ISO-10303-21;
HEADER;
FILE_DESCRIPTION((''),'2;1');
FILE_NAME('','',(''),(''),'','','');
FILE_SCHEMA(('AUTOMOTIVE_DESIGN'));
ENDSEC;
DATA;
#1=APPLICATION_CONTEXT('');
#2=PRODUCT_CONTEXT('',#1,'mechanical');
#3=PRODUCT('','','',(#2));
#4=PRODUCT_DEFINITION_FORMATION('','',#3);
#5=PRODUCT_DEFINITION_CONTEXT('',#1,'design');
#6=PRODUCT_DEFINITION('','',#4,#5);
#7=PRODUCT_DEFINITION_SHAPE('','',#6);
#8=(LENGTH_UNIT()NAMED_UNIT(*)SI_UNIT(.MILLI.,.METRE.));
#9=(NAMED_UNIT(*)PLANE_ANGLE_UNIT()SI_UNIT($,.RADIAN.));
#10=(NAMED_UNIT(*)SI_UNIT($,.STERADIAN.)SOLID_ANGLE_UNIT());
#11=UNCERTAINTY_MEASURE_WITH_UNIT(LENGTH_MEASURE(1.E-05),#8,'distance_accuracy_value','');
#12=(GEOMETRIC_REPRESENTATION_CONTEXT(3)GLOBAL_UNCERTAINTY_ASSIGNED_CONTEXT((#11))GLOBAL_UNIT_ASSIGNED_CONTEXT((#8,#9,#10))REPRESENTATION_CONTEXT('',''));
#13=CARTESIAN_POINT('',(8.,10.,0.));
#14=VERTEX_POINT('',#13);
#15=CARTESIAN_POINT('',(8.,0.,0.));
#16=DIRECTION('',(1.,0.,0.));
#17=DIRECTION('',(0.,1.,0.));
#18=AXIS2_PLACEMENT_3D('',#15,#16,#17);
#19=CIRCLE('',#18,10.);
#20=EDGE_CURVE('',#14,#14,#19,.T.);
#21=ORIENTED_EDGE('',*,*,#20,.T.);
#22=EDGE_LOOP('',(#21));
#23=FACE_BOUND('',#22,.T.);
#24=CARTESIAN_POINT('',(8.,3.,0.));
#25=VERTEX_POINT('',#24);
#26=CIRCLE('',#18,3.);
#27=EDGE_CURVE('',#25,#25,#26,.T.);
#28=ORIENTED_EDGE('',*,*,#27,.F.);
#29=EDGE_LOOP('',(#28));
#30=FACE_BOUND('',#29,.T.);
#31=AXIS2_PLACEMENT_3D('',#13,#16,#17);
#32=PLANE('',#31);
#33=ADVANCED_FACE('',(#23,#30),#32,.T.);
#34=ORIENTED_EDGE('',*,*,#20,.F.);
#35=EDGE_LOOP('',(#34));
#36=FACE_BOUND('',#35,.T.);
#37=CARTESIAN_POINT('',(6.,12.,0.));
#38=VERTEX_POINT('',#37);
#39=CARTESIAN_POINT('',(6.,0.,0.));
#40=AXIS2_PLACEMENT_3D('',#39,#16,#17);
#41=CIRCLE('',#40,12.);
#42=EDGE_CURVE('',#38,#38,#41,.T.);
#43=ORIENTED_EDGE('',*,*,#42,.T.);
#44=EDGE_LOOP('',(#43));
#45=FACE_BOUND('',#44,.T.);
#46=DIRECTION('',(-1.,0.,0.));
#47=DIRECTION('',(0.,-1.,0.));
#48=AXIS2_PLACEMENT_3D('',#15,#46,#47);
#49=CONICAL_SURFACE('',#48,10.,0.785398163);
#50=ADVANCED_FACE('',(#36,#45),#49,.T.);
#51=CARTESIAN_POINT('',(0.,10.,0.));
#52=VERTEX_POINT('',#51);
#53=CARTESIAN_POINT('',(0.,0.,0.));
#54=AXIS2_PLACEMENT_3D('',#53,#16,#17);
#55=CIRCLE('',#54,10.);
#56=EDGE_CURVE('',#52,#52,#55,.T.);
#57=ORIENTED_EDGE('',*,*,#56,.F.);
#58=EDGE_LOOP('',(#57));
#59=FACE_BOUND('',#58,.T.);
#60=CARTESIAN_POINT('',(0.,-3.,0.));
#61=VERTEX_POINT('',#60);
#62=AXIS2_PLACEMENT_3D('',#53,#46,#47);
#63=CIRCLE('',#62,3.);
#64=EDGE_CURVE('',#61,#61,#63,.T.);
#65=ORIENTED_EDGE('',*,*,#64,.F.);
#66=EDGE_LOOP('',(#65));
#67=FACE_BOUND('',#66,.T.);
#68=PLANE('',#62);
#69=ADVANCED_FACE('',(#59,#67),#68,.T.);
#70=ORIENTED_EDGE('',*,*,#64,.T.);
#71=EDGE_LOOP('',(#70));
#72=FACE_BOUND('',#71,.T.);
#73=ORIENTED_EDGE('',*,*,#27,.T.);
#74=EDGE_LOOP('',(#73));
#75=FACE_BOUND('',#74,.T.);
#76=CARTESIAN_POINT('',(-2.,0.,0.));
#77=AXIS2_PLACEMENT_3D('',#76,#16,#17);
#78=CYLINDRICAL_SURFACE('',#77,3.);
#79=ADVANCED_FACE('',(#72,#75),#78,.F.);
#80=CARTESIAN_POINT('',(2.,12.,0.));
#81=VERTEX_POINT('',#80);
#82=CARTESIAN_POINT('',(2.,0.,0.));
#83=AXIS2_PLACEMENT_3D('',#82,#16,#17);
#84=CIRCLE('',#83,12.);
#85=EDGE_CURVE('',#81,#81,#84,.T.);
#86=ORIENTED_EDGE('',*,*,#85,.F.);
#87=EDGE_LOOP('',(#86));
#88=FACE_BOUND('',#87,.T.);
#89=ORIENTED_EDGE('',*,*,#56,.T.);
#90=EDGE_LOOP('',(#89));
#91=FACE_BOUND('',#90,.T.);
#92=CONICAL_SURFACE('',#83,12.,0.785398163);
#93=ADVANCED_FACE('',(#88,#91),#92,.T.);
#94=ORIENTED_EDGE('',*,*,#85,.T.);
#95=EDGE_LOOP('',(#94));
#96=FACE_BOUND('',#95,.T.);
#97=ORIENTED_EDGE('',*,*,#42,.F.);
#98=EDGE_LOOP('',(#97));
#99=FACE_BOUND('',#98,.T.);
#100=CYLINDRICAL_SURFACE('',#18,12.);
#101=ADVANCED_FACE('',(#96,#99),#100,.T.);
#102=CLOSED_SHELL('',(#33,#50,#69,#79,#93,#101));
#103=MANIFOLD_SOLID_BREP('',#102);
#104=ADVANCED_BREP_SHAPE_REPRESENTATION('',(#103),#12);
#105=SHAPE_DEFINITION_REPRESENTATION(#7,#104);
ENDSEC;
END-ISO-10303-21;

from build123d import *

# Parameters (mm, degrees)
SKETCH2_R          = 3
CUT_EXTRUDE1_DEPTH = 10


with BuildPart() as part:
    # Sketch1 → Revolve1 (revolve)
    with BuildSketch(Plane.XY):
        Polygon((0, 0), (0, 10), (2, 12), (6, 12), (8, 10), (8, 0), align=None)
    revolve(axis=Axis((8, 0, 0), (-1, 0, 0)))

    # Sketch2 → Cut-Extrude1 (cut)
    with BuildSketch(Plane(origin=(8, 0, 0), x_dir=(0, 0, -1), z_dir=(1, 0, 0))):
        with Locations(Location((0, 0, 0), (0, 0, 90))):
            Circle(SKETCH2_R)
    extrude(amount=-CUT_EXTRUDE1_DEPTH, mode=Mode.SUBTRACT)


solid = part.part
